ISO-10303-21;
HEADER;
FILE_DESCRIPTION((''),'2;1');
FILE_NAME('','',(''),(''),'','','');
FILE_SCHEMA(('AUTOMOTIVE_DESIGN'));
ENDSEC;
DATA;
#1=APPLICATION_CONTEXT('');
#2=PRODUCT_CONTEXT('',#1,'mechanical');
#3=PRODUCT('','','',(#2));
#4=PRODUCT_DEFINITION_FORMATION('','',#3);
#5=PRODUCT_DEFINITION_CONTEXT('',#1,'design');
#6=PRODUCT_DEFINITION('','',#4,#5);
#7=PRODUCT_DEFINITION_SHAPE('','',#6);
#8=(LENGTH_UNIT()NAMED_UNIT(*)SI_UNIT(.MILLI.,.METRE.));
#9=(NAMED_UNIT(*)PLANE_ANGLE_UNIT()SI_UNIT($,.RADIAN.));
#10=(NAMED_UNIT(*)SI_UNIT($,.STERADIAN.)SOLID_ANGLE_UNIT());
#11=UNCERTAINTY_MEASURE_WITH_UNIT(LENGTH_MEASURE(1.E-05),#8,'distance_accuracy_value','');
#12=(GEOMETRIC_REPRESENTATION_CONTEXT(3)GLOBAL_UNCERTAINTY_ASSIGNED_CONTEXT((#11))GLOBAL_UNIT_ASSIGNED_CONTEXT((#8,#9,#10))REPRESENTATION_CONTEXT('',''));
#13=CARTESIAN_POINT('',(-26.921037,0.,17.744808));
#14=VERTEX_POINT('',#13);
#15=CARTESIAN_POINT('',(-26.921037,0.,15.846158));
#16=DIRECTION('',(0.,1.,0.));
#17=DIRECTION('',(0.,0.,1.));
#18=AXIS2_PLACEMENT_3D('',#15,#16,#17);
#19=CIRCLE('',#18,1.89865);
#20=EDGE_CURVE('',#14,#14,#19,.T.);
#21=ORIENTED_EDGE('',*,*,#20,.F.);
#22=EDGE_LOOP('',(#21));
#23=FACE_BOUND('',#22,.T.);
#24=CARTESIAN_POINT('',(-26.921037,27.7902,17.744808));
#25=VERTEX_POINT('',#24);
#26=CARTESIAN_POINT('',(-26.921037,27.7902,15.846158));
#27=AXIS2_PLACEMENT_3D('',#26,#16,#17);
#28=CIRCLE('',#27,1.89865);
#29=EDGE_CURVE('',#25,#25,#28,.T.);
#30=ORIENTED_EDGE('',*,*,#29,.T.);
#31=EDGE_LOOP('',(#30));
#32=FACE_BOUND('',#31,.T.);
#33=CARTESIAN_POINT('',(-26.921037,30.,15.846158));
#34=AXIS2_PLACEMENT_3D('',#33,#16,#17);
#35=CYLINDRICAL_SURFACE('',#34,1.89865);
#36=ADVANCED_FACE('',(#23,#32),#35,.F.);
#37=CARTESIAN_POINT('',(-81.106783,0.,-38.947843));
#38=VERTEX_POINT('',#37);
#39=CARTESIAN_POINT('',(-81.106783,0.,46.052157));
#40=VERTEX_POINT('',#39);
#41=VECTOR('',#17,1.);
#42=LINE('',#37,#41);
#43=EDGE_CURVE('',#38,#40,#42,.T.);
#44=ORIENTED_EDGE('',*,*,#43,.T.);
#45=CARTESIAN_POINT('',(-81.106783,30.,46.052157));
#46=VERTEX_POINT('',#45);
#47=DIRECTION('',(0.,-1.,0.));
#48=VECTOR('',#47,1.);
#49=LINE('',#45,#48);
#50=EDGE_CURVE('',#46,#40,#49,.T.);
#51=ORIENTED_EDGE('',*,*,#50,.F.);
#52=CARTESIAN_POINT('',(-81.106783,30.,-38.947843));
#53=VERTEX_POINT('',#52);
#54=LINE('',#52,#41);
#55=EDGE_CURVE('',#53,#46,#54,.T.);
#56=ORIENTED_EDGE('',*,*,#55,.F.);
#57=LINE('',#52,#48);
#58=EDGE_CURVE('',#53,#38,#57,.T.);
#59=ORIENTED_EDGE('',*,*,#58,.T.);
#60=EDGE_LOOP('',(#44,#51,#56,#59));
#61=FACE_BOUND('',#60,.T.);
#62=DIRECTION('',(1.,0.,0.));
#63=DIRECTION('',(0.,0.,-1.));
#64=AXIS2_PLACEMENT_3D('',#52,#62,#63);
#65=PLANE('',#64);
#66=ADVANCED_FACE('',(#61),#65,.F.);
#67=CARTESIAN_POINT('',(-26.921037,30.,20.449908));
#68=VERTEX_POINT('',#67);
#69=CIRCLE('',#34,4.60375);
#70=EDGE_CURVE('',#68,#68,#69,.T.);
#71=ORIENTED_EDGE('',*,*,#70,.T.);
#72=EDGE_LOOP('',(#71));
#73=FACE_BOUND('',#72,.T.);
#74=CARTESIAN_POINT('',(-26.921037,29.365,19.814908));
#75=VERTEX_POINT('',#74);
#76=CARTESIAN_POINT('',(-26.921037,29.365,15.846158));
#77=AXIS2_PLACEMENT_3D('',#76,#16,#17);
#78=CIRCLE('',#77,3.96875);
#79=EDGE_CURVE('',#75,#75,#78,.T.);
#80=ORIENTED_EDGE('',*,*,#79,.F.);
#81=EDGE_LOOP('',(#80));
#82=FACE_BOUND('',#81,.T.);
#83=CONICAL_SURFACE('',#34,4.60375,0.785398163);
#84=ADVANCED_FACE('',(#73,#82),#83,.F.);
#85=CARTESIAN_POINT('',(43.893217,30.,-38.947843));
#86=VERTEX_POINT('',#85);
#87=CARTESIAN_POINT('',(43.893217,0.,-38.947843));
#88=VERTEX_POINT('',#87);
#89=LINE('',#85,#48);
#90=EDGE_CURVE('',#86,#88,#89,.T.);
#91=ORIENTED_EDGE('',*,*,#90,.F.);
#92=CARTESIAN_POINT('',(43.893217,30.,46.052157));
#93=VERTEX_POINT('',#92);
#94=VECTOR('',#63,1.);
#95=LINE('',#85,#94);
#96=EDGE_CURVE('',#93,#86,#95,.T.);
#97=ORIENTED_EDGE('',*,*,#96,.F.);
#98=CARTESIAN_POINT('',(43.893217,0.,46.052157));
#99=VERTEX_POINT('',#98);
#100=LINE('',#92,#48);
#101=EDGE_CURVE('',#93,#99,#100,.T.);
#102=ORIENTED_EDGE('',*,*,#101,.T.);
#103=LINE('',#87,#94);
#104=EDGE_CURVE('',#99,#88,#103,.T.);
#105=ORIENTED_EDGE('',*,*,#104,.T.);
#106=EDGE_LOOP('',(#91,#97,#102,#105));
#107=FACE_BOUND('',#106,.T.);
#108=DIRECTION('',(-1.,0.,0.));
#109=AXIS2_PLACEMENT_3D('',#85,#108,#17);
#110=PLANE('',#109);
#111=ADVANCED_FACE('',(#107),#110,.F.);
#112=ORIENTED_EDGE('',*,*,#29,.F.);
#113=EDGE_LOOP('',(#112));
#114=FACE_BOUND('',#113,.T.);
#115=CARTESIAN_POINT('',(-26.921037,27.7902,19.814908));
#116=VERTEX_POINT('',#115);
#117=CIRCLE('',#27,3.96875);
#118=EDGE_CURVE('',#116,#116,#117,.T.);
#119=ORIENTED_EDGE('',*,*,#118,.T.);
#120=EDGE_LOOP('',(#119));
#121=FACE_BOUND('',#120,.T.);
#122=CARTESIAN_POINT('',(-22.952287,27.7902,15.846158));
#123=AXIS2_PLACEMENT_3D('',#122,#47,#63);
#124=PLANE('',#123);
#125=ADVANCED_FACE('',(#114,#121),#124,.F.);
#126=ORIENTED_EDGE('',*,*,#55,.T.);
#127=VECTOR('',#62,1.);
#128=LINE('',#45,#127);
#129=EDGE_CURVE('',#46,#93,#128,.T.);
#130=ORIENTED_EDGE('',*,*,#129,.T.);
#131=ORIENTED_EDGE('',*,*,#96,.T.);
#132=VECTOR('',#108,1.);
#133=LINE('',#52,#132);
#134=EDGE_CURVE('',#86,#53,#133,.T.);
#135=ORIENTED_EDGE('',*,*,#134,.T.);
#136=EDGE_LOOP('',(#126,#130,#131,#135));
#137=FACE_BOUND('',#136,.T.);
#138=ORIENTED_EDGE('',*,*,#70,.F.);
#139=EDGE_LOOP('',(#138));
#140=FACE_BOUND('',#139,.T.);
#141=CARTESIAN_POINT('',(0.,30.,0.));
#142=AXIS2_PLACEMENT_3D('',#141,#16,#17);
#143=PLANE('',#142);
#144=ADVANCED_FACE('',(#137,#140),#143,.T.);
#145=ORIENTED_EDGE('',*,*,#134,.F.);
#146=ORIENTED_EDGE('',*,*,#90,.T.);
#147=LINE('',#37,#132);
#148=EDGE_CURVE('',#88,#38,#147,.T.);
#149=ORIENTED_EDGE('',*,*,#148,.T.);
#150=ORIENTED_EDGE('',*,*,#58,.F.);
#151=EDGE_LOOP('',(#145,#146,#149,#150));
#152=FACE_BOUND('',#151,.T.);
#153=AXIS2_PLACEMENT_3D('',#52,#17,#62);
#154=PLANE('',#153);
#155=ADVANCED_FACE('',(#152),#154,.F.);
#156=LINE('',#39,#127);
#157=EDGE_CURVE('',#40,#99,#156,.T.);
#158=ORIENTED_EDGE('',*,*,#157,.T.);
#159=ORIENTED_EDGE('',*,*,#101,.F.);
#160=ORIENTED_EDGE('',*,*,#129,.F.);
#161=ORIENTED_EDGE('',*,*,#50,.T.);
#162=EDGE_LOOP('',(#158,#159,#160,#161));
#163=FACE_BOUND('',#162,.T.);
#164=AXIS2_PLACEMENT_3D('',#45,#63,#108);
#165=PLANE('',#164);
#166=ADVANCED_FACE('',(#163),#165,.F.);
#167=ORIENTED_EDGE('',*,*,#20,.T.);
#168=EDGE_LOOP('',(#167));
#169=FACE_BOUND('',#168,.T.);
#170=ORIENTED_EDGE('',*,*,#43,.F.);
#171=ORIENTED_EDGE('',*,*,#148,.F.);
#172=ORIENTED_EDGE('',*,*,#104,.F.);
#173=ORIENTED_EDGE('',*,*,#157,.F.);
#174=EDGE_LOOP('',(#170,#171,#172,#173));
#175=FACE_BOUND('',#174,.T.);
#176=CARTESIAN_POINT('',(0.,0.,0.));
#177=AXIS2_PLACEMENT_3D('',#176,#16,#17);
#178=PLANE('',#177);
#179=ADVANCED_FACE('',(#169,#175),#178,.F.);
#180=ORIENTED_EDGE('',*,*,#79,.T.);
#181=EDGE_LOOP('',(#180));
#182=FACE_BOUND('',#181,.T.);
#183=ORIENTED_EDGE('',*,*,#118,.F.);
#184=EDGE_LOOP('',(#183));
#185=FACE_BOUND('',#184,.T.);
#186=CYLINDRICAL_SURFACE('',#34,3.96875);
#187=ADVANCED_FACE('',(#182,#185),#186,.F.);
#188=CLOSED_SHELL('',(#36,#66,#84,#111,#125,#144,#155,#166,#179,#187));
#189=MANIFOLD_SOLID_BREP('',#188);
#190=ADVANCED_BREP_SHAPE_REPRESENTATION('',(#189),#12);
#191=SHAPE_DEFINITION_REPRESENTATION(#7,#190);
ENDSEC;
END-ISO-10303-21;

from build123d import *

# Parameters (mm, degrees)
SKETCH1_W           = 125
SKETCH1_H           = 85
BOSS_EXTRUDE1_DEPTH = 30


with BuildPart() as part:
    # Sketch1 → Boss-Extrude1 (new body)
    with BuildSketch(Plane(origin=(0, 0, 0), x_dir=(1, 0, 0), z_dir=(0, 1, 0))):
        with Locations((-18.606783327, -3.552156635)):
            Rectangle(SKETCH1_W, SKETCH1_H)
    extrude(amount=BOSS_EXTRUDE1_DEPTH)

    # Sketch2 → CBORE for #6 Binding Head Machine Screw1 (revolve, cut)
    with BuildSketch(Plane(origin=(-26.921037191, 30, 15.846157579), x_dir=(0, 0, 1), z_dir=(1, 0, 0))):
        Polygon((0, 0), (0, 30), (1.89865, 30), (1.89865, 2.2098), (3.96875, 2.2098), (3.96875, 0.635), (4.60375, 0), align=None)
    revolve(axis=Axis((-26.921037191, 36.35, 15.846157579), (0, -1, 0)), mode=Mode.SUBTRACT)


solid = part.part
